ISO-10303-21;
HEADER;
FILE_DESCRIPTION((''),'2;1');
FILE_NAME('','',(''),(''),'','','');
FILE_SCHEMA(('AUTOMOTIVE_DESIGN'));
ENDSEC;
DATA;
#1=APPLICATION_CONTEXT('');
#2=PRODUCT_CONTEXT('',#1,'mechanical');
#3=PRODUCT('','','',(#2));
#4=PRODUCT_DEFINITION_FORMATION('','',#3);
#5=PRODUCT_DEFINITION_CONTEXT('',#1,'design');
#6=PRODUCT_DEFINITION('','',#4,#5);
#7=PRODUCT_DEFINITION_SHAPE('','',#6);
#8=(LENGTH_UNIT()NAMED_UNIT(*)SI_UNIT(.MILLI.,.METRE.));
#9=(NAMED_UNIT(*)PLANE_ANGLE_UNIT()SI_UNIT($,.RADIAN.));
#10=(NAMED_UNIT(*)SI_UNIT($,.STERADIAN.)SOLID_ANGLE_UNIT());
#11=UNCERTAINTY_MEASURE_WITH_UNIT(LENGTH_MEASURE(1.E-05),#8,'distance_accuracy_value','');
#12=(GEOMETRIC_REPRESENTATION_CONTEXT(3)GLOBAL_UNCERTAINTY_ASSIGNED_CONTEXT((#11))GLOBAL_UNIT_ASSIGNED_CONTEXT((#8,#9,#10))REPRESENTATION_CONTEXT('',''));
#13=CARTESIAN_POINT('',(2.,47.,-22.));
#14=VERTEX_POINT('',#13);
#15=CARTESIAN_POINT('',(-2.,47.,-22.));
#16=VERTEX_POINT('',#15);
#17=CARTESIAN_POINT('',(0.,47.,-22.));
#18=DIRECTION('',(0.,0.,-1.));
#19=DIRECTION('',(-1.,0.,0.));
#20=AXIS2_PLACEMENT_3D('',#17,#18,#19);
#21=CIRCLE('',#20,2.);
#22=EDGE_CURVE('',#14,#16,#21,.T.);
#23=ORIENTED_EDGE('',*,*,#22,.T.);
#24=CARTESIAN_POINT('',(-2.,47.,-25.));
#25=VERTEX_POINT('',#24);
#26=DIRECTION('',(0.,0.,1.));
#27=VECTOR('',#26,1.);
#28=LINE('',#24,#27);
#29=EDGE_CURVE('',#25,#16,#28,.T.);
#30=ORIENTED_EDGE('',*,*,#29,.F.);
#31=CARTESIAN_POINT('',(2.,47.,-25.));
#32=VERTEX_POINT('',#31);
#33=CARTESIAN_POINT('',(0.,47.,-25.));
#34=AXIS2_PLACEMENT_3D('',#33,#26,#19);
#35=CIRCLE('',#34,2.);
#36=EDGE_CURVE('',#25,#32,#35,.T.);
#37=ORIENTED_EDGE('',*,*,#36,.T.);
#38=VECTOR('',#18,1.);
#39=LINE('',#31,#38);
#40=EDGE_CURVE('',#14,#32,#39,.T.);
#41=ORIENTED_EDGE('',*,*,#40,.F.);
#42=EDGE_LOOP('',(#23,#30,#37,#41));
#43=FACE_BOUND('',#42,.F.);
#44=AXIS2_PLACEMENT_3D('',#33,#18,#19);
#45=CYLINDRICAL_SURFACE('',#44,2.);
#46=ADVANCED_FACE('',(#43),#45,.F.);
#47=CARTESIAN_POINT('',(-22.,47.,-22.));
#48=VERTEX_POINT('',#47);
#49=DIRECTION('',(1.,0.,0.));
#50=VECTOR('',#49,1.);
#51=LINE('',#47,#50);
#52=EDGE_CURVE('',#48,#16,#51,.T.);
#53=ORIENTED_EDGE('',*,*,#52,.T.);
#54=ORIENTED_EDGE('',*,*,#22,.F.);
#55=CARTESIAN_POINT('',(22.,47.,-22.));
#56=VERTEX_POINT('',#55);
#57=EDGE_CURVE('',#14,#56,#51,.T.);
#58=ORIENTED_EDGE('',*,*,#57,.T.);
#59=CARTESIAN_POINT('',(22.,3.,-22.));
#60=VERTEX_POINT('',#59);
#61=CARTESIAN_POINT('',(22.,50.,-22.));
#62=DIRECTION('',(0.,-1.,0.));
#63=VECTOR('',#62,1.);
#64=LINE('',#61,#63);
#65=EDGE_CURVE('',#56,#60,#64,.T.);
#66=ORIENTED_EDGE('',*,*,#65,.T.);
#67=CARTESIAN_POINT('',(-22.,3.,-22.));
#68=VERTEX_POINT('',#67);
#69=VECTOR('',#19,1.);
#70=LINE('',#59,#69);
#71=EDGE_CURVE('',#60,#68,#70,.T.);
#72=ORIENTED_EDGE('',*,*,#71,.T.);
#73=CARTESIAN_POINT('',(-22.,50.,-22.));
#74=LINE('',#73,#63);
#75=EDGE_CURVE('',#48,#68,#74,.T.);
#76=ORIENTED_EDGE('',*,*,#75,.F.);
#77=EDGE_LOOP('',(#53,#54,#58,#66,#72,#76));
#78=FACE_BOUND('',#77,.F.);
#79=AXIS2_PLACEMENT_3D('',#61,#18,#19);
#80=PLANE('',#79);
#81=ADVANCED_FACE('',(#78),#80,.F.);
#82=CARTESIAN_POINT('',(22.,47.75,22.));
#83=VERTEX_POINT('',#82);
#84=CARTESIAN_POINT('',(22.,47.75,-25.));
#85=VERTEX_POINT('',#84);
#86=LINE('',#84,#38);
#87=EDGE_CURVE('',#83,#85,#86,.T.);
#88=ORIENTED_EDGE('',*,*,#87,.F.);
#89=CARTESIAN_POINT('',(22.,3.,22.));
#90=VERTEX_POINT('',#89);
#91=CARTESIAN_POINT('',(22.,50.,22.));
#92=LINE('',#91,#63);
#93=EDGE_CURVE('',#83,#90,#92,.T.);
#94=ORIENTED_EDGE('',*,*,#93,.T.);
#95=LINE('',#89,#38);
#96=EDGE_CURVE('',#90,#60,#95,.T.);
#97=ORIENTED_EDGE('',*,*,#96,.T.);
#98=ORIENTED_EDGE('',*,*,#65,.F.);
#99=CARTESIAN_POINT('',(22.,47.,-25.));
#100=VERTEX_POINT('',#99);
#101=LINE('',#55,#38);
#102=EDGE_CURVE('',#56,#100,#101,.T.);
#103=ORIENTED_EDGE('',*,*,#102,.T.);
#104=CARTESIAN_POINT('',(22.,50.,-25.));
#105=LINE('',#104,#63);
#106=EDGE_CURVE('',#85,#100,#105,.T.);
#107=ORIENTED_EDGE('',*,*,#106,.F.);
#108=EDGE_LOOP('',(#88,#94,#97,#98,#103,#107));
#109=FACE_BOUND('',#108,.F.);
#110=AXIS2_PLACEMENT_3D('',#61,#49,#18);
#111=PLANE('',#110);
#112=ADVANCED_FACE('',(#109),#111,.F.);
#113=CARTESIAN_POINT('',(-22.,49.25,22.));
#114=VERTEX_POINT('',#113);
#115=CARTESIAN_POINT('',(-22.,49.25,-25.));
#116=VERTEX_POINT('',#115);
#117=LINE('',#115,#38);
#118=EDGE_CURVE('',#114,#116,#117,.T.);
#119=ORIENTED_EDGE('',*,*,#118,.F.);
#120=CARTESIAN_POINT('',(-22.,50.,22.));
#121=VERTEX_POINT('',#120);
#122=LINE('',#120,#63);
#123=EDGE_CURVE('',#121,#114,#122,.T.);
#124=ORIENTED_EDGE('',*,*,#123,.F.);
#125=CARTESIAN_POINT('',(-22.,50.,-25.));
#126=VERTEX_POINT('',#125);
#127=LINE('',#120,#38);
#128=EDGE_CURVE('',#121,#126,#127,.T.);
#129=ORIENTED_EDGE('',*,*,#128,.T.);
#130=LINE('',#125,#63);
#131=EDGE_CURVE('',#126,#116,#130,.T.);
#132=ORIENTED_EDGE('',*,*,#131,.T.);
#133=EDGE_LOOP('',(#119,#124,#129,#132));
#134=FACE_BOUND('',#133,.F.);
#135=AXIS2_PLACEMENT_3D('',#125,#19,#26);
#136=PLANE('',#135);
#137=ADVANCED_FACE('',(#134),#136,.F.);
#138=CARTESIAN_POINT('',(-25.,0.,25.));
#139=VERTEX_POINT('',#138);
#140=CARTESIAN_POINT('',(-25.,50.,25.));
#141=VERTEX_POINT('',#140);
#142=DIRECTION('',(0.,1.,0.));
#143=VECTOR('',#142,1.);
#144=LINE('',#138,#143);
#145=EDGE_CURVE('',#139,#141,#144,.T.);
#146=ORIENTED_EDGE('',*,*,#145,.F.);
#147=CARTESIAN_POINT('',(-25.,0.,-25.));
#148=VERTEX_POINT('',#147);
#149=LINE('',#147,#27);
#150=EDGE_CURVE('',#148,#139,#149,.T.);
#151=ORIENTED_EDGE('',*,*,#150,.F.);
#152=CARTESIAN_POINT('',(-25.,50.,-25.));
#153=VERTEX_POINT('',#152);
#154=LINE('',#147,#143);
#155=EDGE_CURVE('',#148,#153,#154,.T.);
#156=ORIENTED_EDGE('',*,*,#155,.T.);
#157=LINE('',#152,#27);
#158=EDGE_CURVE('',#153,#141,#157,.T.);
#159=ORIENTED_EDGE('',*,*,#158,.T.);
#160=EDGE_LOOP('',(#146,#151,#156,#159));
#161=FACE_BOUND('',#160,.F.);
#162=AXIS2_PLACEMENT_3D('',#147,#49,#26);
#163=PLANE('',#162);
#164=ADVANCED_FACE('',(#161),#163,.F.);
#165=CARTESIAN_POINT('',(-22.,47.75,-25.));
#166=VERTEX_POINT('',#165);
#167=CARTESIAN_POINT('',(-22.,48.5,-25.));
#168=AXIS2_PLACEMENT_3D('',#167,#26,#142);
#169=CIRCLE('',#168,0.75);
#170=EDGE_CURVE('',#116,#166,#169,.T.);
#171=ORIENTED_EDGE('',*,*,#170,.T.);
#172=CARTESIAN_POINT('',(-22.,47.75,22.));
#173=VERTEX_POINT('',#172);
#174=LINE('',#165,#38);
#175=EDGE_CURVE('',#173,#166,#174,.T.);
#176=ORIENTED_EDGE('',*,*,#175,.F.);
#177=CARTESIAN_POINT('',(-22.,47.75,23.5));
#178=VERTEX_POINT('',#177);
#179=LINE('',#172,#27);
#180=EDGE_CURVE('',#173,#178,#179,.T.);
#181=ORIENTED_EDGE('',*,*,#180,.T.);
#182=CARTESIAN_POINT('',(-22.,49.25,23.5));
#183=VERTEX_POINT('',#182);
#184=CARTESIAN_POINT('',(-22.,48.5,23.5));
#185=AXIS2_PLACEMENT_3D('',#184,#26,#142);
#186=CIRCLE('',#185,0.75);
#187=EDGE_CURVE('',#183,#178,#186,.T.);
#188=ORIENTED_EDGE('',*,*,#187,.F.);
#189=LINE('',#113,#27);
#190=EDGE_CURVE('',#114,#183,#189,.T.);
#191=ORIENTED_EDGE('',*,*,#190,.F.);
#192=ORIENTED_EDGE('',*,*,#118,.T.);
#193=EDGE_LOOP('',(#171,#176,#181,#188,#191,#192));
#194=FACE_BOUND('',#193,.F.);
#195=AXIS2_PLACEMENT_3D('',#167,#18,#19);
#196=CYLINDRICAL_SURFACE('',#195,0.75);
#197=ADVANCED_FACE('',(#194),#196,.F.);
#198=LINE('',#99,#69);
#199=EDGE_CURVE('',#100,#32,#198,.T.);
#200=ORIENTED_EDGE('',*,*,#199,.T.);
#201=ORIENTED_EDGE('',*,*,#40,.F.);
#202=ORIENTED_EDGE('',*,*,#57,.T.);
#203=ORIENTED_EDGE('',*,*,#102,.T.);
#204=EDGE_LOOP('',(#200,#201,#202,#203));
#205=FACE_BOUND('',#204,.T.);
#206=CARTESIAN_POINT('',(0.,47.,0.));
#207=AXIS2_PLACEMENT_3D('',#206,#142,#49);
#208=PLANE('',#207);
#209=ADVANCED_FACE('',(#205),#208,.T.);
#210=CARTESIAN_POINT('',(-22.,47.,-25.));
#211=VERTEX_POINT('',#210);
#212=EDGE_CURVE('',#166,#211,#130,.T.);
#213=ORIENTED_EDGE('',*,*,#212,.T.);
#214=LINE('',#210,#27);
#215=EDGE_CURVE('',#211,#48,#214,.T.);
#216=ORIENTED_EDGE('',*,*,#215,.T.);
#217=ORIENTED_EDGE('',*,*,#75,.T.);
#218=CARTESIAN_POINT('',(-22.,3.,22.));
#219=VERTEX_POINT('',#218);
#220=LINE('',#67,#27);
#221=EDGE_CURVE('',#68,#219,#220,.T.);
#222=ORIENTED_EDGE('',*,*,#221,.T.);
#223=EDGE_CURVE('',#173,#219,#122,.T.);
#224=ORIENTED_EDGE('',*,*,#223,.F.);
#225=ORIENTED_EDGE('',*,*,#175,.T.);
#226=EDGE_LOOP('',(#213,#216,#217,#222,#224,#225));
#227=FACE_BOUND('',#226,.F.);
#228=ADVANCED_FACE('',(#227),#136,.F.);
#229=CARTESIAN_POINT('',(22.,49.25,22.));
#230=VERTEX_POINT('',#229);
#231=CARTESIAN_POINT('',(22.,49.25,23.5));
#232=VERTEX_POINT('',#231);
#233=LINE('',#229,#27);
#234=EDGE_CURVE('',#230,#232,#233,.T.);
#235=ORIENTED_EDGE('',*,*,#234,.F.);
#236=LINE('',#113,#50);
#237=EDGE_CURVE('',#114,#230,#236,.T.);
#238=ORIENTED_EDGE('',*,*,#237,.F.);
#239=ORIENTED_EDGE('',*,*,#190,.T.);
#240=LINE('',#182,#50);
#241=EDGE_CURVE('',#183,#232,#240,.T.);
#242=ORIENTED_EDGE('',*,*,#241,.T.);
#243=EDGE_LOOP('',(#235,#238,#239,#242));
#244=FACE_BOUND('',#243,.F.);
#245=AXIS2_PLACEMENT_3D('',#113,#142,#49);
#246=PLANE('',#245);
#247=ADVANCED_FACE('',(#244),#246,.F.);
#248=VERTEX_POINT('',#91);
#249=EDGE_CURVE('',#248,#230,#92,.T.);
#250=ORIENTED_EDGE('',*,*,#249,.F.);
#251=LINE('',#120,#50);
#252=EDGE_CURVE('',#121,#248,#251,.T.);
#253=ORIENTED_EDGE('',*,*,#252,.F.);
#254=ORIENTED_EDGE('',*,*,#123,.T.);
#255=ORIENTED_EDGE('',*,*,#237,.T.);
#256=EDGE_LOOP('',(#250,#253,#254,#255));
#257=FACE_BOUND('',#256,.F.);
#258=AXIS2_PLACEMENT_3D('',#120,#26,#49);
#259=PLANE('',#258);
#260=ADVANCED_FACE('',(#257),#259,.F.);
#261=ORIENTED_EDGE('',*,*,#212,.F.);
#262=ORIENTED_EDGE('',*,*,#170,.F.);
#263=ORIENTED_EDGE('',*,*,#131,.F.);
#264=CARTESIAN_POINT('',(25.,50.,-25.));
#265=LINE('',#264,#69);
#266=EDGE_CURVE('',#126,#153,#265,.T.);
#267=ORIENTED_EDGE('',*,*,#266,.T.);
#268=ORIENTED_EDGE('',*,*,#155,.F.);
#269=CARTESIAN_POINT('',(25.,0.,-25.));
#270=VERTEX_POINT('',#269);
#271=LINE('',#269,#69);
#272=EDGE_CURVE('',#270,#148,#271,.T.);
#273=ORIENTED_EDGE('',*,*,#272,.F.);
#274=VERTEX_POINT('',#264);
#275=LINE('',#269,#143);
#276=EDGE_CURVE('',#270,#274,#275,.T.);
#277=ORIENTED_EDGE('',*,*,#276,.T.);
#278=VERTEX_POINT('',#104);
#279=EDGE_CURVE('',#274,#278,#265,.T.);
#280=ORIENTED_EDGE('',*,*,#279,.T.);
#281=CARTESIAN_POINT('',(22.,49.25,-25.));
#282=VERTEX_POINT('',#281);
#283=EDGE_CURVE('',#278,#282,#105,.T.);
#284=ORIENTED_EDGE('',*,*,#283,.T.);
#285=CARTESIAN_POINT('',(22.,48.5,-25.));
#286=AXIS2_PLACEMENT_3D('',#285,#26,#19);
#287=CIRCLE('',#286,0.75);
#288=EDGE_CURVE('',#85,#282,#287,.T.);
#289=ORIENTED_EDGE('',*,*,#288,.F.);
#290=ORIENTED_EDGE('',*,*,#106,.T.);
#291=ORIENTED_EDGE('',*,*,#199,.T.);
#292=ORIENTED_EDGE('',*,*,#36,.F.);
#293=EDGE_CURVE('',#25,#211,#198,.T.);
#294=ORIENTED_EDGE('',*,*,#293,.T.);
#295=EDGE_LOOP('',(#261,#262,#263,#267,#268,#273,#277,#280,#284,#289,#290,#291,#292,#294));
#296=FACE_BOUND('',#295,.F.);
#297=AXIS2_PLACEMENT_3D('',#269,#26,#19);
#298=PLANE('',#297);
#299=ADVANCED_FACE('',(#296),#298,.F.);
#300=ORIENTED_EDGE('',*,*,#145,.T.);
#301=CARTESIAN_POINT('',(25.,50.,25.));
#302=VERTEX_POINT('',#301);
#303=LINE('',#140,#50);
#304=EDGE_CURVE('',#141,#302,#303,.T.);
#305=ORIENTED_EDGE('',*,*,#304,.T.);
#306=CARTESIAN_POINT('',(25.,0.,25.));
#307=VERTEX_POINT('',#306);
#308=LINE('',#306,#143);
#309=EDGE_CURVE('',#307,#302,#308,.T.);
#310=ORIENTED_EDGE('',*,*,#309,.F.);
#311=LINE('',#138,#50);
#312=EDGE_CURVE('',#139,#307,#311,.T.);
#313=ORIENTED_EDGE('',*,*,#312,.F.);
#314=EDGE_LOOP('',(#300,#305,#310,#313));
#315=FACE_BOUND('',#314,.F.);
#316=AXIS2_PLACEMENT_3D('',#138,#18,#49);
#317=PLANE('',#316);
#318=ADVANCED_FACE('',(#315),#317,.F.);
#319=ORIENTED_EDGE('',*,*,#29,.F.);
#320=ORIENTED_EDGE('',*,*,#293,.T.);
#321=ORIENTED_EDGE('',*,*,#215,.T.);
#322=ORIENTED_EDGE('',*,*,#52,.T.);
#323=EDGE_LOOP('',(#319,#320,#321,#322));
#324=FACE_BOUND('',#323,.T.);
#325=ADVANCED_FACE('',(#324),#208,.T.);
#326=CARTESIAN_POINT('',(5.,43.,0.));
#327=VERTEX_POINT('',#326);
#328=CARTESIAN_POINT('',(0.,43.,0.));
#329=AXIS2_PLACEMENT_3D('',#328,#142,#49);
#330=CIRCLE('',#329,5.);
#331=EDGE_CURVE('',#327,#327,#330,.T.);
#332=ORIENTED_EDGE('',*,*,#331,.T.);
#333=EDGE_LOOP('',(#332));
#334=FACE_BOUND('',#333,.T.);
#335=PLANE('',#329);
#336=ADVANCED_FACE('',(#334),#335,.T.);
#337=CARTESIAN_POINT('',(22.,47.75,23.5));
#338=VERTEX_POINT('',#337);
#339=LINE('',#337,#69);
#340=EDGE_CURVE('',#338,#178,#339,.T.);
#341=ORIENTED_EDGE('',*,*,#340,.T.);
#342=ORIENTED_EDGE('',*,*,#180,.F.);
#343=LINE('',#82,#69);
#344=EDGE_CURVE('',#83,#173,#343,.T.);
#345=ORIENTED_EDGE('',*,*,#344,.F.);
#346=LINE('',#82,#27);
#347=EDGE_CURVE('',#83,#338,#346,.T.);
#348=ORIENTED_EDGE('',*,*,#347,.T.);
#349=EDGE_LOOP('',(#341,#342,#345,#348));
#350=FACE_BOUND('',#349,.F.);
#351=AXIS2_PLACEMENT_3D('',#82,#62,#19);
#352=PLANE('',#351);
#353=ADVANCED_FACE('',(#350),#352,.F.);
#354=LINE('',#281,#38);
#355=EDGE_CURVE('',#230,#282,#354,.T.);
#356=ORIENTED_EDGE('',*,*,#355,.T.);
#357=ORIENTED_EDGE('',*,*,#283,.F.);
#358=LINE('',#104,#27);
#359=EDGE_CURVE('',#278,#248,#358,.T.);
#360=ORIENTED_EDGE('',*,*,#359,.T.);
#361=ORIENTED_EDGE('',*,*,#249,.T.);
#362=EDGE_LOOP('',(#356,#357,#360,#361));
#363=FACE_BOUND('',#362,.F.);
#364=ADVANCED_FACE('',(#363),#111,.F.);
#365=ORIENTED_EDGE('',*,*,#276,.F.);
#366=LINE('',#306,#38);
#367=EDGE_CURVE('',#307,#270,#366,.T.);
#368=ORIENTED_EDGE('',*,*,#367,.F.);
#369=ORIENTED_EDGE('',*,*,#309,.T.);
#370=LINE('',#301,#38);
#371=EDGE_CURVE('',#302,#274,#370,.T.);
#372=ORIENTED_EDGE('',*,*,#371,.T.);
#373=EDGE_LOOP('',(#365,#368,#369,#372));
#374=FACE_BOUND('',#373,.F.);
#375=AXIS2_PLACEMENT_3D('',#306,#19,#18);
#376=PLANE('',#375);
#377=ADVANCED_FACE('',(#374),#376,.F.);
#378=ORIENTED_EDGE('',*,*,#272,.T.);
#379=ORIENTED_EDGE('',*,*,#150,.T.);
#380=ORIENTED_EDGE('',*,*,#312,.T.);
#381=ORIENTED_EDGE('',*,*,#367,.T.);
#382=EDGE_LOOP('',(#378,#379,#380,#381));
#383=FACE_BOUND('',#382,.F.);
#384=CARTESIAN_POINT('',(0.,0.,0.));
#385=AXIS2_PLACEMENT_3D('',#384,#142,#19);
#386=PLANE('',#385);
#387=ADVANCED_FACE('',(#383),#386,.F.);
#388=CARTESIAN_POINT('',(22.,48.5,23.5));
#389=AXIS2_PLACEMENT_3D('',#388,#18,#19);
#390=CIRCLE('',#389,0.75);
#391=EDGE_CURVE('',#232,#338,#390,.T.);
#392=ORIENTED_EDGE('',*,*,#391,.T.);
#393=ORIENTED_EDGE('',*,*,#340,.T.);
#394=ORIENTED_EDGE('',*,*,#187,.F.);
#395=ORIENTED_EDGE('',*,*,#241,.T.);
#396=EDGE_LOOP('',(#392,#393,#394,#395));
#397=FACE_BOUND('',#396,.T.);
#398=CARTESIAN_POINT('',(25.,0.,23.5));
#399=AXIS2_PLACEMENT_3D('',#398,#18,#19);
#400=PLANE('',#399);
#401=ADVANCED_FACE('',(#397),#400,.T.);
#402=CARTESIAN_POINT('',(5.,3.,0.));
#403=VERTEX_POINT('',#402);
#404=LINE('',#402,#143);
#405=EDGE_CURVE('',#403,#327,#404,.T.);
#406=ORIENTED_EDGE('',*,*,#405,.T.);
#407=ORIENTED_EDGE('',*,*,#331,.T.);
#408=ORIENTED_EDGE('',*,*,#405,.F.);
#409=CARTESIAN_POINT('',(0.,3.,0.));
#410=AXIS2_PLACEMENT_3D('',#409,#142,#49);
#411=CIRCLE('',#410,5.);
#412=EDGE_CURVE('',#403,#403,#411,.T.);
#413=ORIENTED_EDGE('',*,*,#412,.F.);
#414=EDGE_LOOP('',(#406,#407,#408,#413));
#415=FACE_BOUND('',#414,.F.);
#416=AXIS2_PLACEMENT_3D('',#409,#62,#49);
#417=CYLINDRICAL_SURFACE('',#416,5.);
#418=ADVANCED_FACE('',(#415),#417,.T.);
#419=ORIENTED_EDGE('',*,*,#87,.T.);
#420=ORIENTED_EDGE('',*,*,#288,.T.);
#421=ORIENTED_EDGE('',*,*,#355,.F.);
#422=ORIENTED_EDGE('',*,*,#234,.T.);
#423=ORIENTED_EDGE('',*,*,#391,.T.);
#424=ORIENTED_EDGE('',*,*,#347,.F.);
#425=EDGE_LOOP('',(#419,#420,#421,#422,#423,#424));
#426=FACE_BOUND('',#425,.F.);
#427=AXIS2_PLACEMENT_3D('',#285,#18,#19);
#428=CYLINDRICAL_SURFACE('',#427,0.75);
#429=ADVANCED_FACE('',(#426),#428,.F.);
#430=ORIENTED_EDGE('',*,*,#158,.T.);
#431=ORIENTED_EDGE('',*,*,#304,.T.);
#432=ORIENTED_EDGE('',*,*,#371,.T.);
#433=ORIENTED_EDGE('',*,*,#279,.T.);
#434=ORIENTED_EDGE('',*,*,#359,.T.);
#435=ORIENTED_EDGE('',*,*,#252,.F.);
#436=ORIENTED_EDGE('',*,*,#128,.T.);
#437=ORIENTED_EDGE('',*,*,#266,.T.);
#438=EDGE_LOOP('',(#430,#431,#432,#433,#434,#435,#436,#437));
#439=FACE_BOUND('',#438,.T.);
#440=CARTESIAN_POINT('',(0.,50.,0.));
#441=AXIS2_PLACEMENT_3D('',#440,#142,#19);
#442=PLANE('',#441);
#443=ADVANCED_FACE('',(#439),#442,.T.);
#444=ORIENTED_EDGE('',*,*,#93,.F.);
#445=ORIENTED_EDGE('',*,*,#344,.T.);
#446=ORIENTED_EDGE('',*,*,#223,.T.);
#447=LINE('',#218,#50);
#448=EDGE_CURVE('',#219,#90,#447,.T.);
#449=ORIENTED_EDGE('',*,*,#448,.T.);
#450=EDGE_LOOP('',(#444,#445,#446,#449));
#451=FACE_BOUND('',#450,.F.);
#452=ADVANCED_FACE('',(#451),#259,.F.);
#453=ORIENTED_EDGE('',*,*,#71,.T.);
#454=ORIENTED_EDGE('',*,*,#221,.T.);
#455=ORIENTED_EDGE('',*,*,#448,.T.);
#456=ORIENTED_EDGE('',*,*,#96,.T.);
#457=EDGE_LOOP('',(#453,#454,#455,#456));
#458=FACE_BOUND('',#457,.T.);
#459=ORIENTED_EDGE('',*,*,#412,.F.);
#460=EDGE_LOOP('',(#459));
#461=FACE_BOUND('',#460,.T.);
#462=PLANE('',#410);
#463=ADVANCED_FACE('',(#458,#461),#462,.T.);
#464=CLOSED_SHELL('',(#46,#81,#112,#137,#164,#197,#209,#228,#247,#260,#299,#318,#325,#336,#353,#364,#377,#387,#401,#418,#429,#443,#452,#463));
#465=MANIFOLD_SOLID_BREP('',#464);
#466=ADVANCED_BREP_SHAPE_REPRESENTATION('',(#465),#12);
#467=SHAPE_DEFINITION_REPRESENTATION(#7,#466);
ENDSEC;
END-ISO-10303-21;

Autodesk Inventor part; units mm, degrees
ref_plane "YZ Plane" through (0, 0, 0) normal (1, 0, 0) x (0, 1, 0)
ref_plane "XZ Plane" through (0, 0, 0) normal (0, 1, 0) x (-1, 0, 0)
ref_plane "XY Plane" through (0, 0, 0) normal (0, 0, 1) x (1, 0, 0)
sketch "Sketch1" plane through (0, 0, 0) normal (0, 1, 0) x (-1, 0, 0)
  line L0 (25, 25) -> (-25, 25)
  line L1 (-25, 25) -> (-25, -25)
  line L2 (-25, -25) -> (25, -25)
  line L3 (25, -25) -> (25, 25)
  point P0 (0, 0)
  dimension "d0" = 25
  dimension "d1" = 50
  dimension "d2" = 25
  dimension "d3" = 25
extrude "Extrusion1" add sketch "Sketch1" along normal blind 50
sketch "Sketch2" plane through (0, 50, 0) normal (0, 1, 0) x (1, 0, 0)
  line L0 (-22, -22) -> (22, -22)
  line L1 (22, -22) -> (22, 22)
  line L2 (22, 22) -> (-22, 22)
  line L3 (-22, 22) -> (-22, -22)
  point P0 (0, 0)
  dimension "d6" = 22
  dimension "d7" = 22
  dimension "d8" = 22
  dimension "d9" = 22
extrude "Extrusion2" cut sketch "Sketch2" against normal blind 47
sketch "Sketch3" plane through (0, 3, 0) normal (0, 1, 0) x (1, 0, 0)
  circle A0 centre (0, 0) radius 5
  dimension "d12" = 10
extrude "Extrusion3" add sketch "Sketch3" along normal blind 40
sketch "Sketch4" plane through (0, 50, 0) normal (0, 1, 0) x (1, 0, 0)
  line L0 (-22, 22) -> (22, 22)
  line L1 (22, 22) -> (22, 25)
  line L2 (22, 25) -> (-22, 25)
  line L3 (-22, 25) -> (-22, 22)
  line L4 (25, -25) -> (25, 25) projected
  point P0 (0, 0)
  dimension "d15" = 3
  dimension "d16" = 25
extrude "Extrusion4" cut sketch "Sketch4" against normal blind 3
sketch "Sketch5" plane through (-22, 3, -22) normal (0, 0, 1) x (1, 0, 0)
  point P0 (22, -3)
sketch "Sketch6" plane through (25, 0, -25) normal (0, 0, -1) x (-1, 0, 0)
  line L0 (3, 47) -> (47, 47) projected
  circle A0 centre (25, 47) radius 2
  point P0 (25, 0)
  dimension "d19" = 4
extrude "Extrusion5" cut sketch "Sketch6" against normal blind 3
sketch "Sketch7" plane through (-22, 50, 22) normal (1, 0, 0) x (0, 0, -1)
  point P0 (22, -50)
sketch "Sketch8" plane through (25, 0, -25) normal (0, 0, -1) x (-1, 0, 0)
  line L0 (47, 50) -> (47, 47) projected
  circle A0 centre (47, 48.5) radius 0.75
  line L1 (3, 50) -> (47, 50) projected
  line L2 (3, 47) -> (3, 50) projected
  circle A1 centre (3, 48.5) radius 0.75
  point P0 (25, 0)
  dimension "d22" = 1.5
  dimension "d23" = 1.5
  dimension "d24" = 1.5
extrude "Extrusion6" cut sketch "Sketch8" against normal blind 48.5 contours A0 L0 | L0 A0
sketch "Sketch9" plane through (25, 0, -25) normal (0, 0, -1) x (-1, 0, 0)
  point P0 (25, 0)
sketch "Sketch10" plane through (25, 0, -25) normal (0, 0, -1) x (-1, 0, 0)
  line L0 (3, 50) -> (3, 3) projected
  circle A0 centre (3, 48.5) radius 0.75
  line L1 (3, 50) -> (47, 50) projected
  point P0 (25, 0)
  dimension "d27" = 1.5
  dimension "d28" = 1.5
extrude "Extrusion7" cut sketch "Sketch10" against normal blind 48.5
sketch "Sketch11" plane through (22, 50, 22) normal (0, 0, -1) x (-1, 0, 0)
  line L0 (44, -0.75) -> (0, -0.75)
  line L1 (0, -0.75) -> (0, -2.25)
  line L2 (0, -2.25) -> (44, -2.25)
  line L3 (44, -2.25) -> (44, -0.75)
  point P0 (22, -50)
extrude "Extrusion8" cut sketch "Sketch11" against normal blind 1.5
sketch "Sketch12" plane through (0, 3, 0) normal (0, 1, 0) x (1, 0, 0)
  line L0 (-21.9343, 35.7574) -> (18.5832, 35.7574)
  line L1 (18.5832, 35.7574) -> (18.5832, 64.5461)
  line L2 (18.5832, 64.5461) -> (-21.9343, 64.5461)
  line L3 (-21.9343, 64.5461) -> (-21.9343, 35.7574)
  point P0 (0, 0)
properties part number "Box01"
